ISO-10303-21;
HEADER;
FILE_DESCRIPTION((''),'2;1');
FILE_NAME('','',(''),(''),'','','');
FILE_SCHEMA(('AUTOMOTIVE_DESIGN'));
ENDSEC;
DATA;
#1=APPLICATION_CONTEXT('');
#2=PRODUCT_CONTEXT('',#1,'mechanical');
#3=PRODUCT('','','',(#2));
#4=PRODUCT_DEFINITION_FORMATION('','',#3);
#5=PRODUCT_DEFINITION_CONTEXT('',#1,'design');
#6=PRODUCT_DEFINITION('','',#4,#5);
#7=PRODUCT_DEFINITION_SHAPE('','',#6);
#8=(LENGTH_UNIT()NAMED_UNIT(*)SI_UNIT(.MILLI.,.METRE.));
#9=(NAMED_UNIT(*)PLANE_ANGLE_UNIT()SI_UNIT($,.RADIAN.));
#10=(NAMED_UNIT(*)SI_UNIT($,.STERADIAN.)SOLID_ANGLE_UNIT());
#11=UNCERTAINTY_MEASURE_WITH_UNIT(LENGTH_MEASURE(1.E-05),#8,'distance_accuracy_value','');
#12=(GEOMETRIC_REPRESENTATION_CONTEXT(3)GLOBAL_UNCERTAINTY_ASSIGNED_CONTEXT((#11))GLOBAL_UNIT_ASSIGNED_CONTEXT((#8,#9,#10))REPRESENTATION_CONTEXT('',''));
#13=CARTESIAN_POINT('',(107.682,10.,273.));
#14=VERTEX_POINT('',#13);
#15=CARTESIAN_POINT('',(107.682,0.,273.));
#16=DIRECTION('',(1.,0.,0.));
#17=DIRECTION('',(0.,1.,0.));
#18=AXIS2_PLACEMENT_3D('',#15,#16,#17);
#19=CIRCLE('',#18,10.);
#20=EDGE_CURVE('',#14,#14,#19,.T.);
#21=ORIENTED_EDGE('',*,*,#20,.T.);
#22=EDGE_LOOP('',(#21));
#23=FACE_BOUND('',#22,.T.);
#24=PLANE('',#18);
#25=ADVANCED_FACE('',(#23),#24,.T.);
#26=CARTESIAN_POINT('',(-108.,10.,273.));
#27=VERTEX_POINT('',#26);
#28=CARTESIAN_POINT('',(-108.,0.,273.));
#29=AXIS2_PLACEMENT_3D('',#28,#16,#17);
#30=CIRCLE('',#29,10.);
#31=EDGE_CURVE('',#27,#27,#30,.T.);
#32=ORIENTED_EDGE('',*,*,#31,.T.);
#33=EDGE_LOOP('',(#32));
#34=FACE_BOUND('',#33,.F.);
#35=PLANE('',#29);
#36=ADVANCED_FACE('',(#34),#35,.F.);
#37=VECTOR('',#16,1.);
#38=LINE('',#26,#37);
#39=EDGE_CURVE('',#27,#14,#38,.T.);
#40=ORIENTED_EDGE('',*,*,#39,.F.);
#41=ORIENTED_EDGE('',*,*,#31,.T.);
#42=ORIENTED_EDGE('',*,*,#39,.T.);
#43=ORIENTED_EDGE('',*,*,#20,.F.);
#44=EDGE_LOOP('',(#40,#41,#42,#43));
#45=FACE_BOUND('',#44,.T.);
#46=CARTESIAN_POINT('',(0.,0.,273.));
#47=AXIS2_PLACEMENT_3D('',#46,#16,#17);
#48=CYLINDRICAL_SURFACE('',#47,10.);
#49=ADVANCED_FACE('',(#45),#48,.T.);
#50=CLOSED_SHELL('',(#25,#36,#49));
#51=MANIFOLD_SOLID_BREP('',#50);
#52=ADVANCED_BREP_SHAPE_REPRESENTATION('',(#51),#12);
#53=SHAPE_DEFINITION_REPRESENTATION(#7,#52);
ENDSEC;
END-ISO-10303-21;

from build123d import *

# Parameters (mm, degrees)
F0_R          = 10
F1_DEPTH      = 107.682
F1_DEPTH_BACK = 108


with BuildPart() as f1:
    # F0 (on Right) → F1 (new body, two sides)
    with BuildSketch(Plane.YZ) as f1_sk:
        with Locations((0, 273)):
            Circle(F0_R)
    extrude(amount=F1_DEPTH)
    extrude(f1_sk.sketch, amount=-F1_DEPTH_BACK)


solid = f1.part
